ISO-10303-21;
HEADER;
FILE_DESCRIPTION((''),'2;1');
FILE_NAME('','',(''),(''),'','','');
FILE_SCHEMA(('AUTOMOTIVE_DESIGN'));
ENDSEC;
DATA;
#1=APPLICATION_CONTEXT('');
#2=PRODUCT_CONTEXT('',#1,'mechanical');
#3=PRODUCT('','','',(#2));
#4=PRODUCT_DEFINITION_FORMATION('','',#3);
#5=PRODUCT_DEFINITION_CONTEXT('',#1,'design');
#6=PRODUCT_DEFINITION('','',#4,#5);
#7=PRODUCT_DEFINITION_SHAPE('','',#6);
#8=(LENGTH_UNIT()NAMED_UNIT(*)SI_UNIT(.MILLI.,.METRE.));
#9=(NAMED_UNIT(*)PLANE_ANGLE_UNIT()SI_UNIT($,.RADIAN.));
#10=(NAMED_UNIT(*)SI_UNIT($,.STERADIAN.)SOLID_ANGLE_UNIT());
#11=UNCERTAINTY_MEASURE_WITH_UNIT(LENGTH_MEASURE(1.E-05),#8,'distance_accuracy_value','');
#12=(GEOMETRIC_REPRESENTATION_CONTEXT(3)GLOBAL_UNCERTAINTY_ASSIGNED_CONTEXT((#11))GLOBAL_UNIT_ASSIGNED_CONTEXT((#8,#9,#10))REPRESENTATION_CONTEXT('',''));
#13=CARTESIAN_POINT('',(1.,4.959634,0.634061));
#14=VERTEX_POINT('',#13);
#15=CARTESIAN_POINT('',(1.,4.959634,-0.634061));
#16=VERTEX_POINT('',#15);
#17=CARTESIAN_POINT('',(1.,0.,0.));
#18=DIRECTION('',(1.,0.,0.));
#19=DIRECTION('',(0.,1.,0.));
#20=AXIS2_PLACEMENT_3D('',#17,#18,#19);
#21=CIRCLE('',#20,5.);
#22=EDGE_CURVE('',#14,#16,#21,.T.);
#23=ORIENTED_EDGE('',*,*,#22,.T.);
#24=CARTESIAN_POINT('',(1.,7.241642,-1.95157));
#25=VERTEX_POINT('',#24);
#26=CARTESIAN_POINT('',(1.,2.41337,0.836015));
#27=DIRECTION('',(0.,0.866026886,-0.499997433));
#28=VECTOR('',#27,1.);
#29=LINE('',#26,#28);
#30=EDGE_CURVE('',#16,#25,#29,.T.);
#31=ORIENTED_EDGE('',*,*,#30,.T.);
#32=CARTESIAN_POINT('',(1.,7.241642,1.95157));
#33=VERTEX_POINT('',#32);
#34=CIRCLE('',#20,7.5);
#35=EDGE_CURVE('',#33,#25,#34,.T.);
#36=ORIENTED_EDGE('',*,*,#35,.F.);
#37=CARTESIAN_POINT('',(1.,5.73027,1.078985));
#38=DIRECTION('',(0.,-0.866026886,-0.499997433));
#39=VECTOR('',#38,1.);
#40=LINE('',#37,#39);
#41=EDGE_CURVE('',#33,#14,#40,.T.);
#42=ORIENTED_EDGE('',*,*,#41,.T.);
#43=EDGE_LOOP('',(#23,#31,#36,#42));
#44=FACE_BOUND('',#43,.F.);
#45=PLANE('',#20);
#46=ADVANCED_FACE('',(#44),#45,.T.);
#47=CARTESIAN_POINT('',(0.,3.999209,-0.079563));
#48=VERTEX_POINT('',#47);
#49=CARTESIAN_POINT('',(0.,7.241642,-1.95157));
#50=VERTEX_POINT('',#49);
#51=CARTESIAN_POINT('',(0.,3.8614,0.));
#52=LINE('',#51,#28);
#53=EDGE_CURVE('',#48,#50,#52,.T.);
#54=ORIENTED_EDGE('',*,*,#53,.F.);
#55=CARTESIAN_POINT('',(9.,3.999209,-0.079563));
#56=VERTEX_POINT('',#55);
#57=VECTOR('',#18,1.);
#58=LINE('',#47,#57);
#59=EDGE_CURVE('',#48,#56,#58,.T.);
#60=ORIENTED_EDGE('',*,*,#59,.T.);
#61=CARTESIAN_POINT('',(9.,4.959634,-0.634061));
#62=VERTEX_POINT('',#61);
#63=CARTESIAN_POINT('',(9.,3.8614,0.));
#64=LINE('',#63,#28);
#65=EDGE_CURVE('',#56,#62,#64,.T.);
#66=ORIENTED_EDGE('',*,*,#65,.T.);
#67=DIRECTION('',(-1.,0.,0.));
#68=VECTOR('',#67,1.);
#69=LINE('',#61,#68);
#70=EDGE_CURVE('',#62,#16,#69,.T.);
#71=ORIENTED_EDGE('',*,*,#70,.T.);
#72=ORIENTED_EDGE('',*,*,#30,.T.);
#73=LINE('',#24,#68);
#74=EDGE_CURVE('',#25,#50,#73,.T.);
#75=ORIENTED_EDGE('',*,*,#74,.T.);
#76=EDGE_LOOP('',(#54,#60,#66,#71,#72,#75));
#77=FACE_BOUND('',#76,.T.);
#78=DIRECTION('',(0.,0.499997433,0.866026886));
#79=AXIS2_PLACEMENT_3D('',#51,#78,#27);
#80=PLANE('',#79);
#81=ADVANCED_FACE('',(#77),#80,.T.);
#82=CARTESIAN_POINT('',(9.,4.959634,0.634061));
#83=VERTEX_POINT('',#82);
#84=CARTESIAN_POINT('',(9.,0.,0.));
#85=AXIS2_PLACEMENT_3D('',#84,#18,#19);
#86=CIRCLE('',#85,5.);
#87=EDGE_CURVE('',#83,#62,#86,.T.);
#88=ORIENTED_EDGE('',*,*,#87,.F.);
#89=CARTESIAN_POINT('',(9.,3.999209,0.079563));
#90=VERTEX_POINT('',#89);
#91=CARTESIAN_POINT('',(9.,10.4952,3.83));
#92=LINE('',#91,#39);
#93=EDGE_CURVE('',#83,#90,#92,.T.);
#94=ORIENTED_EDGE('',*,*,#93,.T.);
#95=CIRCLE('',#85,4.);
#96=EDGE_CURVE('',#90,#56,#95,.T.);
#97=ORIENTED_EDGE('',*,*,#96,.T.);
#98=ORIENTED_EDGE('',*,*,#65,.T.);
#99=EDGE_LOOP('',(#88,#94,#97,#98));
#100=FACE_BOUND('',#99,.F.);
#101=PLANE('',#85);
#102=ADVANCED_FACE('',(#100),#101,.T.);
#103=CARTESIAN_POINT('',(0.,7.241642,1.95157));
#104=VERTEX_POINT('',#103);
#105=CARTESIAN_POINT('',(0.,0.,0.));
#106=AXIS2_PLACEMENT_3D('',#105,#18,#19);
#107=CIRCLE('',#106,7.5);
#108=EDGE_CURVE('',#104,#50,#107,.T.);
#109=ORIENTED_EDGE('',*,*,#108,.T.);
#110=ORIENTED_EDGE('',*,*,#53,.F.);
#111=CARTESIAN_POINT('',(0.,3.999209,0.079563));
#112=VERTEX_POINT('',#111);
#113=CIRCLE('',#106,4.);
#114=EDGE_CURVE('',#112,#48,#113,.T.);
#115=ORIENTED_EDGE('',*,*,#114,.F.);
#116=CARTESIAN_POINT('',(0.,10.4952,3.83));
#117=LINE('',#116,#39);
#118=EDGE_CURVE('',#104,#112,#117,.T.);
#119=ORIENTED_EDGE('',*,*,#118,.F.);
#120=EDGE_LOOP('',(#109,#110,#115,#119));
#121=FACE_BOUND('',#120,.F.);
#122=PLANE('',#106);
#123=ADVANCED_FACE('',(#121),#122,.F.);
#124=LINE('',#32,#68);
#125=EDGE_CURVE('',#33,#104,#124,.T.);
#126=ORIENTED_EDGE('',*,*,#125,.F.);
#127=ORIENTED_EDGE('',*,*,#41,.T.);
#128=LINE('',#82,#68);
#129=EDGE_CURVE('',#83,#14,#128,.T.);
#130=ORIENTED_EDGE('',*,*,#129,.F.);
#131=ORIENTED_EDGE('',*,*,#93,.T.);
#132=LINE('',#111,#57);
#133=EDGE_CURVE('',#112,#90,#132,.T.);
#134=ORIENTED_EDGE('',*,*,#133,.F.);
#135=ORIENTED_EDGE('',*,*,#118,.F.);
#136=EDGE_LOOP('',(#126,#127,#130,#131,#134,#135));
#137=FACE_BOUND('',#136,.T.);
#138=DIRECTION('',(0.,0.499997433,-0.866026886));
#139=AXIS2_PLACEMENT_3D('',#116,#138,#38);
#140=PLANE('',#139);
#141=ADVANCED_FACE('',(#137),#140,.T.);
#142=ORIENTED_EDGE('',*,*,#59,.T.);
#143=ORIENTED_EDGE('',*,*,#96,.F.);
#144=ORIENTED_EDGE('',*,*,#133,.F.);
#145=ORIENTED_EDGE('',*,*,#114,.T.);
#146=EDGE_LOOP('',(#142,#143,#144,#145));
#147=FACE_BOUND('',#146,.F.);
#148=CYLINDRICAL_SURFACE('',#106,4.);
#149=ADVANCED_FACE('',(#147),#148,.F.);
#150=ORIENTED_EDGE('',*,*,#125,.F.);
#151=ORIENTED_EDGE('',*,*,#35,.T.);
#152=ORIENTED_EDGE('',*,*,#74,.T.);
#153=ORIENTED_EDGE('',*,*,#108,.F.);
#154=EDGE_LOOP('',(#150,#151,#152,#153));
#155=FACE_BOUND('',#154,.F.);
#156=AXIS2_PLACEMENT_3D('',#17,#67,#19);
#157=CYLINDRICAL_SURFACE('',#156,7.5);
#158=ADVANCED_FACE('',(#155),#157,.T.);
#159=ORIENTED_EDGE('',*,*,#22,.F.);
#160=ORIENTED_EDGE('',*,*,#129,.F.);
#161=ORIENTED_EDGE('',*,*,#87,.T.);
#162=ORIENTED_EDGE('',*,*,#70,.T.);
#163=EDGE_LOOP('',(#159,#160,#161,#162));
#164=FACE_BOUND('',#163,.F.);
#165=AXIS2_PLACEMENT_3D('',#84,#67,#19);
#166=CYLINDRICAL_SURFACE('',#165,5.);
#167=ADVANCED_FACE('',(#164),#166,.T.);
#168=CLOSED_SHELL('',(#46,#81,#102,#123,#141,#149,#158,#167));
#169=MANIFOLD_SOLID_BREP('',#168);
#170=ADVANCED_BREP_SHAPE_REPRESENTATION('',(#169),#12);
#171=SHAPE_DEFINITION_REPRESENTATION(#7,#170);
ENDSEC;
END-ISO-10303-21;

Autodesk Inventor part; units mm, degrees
ref_plane "YZ Plane" through (0, 0, 0) normal (1, 0, 0) x (0, 1, 0)
ref_plane "XZ Plane" through (0, 0, 0) normal (0, 1, 0) x (-1, 0, 0)
ref_plane "XY Plane" through (0, 0, 0) normal (0, 0, 1) x (1, 0, 0)
sketch "Sketch_1" plane through (0, 0, 0) normal (0, 0, 1) x (1, 0, 0)
  line L0 (9, 0) -> (0, 0)
  line L1 (0, 4) -> (9, 4)
  line L2 (9, 4) -> (9, 5)
  line L3 (9, 5) -> (1, 5)
  line L4 (1, 5) -> (1, 7.5)
  line L5 (1, 7.5) -> (0, 7.5)
  line L6 (0, 7.5) -> (0, 4)
revolve "Revolution1" add sketch "Sketch_1" angle 360 about axis through (9, 0, 0) along (1, 0, 0)
sketch "Sketch_3" plane through (0, 0, 0) normal (1, 0, 0) x (0, 1, 0)
  line L0 (10.4952, 3.83) -> (3.8614, 0)
  line L1 (3.8614, 0) -> (10.4952, -3.83)
  line L2 (10.4952, -3.83) -> (10.4952, 3.83)
extrude "Extrusion1" cut sketch "Sketch_3" along normal blind 9
properties part number "LFF-0808" material "鉄、鋳鉄"
